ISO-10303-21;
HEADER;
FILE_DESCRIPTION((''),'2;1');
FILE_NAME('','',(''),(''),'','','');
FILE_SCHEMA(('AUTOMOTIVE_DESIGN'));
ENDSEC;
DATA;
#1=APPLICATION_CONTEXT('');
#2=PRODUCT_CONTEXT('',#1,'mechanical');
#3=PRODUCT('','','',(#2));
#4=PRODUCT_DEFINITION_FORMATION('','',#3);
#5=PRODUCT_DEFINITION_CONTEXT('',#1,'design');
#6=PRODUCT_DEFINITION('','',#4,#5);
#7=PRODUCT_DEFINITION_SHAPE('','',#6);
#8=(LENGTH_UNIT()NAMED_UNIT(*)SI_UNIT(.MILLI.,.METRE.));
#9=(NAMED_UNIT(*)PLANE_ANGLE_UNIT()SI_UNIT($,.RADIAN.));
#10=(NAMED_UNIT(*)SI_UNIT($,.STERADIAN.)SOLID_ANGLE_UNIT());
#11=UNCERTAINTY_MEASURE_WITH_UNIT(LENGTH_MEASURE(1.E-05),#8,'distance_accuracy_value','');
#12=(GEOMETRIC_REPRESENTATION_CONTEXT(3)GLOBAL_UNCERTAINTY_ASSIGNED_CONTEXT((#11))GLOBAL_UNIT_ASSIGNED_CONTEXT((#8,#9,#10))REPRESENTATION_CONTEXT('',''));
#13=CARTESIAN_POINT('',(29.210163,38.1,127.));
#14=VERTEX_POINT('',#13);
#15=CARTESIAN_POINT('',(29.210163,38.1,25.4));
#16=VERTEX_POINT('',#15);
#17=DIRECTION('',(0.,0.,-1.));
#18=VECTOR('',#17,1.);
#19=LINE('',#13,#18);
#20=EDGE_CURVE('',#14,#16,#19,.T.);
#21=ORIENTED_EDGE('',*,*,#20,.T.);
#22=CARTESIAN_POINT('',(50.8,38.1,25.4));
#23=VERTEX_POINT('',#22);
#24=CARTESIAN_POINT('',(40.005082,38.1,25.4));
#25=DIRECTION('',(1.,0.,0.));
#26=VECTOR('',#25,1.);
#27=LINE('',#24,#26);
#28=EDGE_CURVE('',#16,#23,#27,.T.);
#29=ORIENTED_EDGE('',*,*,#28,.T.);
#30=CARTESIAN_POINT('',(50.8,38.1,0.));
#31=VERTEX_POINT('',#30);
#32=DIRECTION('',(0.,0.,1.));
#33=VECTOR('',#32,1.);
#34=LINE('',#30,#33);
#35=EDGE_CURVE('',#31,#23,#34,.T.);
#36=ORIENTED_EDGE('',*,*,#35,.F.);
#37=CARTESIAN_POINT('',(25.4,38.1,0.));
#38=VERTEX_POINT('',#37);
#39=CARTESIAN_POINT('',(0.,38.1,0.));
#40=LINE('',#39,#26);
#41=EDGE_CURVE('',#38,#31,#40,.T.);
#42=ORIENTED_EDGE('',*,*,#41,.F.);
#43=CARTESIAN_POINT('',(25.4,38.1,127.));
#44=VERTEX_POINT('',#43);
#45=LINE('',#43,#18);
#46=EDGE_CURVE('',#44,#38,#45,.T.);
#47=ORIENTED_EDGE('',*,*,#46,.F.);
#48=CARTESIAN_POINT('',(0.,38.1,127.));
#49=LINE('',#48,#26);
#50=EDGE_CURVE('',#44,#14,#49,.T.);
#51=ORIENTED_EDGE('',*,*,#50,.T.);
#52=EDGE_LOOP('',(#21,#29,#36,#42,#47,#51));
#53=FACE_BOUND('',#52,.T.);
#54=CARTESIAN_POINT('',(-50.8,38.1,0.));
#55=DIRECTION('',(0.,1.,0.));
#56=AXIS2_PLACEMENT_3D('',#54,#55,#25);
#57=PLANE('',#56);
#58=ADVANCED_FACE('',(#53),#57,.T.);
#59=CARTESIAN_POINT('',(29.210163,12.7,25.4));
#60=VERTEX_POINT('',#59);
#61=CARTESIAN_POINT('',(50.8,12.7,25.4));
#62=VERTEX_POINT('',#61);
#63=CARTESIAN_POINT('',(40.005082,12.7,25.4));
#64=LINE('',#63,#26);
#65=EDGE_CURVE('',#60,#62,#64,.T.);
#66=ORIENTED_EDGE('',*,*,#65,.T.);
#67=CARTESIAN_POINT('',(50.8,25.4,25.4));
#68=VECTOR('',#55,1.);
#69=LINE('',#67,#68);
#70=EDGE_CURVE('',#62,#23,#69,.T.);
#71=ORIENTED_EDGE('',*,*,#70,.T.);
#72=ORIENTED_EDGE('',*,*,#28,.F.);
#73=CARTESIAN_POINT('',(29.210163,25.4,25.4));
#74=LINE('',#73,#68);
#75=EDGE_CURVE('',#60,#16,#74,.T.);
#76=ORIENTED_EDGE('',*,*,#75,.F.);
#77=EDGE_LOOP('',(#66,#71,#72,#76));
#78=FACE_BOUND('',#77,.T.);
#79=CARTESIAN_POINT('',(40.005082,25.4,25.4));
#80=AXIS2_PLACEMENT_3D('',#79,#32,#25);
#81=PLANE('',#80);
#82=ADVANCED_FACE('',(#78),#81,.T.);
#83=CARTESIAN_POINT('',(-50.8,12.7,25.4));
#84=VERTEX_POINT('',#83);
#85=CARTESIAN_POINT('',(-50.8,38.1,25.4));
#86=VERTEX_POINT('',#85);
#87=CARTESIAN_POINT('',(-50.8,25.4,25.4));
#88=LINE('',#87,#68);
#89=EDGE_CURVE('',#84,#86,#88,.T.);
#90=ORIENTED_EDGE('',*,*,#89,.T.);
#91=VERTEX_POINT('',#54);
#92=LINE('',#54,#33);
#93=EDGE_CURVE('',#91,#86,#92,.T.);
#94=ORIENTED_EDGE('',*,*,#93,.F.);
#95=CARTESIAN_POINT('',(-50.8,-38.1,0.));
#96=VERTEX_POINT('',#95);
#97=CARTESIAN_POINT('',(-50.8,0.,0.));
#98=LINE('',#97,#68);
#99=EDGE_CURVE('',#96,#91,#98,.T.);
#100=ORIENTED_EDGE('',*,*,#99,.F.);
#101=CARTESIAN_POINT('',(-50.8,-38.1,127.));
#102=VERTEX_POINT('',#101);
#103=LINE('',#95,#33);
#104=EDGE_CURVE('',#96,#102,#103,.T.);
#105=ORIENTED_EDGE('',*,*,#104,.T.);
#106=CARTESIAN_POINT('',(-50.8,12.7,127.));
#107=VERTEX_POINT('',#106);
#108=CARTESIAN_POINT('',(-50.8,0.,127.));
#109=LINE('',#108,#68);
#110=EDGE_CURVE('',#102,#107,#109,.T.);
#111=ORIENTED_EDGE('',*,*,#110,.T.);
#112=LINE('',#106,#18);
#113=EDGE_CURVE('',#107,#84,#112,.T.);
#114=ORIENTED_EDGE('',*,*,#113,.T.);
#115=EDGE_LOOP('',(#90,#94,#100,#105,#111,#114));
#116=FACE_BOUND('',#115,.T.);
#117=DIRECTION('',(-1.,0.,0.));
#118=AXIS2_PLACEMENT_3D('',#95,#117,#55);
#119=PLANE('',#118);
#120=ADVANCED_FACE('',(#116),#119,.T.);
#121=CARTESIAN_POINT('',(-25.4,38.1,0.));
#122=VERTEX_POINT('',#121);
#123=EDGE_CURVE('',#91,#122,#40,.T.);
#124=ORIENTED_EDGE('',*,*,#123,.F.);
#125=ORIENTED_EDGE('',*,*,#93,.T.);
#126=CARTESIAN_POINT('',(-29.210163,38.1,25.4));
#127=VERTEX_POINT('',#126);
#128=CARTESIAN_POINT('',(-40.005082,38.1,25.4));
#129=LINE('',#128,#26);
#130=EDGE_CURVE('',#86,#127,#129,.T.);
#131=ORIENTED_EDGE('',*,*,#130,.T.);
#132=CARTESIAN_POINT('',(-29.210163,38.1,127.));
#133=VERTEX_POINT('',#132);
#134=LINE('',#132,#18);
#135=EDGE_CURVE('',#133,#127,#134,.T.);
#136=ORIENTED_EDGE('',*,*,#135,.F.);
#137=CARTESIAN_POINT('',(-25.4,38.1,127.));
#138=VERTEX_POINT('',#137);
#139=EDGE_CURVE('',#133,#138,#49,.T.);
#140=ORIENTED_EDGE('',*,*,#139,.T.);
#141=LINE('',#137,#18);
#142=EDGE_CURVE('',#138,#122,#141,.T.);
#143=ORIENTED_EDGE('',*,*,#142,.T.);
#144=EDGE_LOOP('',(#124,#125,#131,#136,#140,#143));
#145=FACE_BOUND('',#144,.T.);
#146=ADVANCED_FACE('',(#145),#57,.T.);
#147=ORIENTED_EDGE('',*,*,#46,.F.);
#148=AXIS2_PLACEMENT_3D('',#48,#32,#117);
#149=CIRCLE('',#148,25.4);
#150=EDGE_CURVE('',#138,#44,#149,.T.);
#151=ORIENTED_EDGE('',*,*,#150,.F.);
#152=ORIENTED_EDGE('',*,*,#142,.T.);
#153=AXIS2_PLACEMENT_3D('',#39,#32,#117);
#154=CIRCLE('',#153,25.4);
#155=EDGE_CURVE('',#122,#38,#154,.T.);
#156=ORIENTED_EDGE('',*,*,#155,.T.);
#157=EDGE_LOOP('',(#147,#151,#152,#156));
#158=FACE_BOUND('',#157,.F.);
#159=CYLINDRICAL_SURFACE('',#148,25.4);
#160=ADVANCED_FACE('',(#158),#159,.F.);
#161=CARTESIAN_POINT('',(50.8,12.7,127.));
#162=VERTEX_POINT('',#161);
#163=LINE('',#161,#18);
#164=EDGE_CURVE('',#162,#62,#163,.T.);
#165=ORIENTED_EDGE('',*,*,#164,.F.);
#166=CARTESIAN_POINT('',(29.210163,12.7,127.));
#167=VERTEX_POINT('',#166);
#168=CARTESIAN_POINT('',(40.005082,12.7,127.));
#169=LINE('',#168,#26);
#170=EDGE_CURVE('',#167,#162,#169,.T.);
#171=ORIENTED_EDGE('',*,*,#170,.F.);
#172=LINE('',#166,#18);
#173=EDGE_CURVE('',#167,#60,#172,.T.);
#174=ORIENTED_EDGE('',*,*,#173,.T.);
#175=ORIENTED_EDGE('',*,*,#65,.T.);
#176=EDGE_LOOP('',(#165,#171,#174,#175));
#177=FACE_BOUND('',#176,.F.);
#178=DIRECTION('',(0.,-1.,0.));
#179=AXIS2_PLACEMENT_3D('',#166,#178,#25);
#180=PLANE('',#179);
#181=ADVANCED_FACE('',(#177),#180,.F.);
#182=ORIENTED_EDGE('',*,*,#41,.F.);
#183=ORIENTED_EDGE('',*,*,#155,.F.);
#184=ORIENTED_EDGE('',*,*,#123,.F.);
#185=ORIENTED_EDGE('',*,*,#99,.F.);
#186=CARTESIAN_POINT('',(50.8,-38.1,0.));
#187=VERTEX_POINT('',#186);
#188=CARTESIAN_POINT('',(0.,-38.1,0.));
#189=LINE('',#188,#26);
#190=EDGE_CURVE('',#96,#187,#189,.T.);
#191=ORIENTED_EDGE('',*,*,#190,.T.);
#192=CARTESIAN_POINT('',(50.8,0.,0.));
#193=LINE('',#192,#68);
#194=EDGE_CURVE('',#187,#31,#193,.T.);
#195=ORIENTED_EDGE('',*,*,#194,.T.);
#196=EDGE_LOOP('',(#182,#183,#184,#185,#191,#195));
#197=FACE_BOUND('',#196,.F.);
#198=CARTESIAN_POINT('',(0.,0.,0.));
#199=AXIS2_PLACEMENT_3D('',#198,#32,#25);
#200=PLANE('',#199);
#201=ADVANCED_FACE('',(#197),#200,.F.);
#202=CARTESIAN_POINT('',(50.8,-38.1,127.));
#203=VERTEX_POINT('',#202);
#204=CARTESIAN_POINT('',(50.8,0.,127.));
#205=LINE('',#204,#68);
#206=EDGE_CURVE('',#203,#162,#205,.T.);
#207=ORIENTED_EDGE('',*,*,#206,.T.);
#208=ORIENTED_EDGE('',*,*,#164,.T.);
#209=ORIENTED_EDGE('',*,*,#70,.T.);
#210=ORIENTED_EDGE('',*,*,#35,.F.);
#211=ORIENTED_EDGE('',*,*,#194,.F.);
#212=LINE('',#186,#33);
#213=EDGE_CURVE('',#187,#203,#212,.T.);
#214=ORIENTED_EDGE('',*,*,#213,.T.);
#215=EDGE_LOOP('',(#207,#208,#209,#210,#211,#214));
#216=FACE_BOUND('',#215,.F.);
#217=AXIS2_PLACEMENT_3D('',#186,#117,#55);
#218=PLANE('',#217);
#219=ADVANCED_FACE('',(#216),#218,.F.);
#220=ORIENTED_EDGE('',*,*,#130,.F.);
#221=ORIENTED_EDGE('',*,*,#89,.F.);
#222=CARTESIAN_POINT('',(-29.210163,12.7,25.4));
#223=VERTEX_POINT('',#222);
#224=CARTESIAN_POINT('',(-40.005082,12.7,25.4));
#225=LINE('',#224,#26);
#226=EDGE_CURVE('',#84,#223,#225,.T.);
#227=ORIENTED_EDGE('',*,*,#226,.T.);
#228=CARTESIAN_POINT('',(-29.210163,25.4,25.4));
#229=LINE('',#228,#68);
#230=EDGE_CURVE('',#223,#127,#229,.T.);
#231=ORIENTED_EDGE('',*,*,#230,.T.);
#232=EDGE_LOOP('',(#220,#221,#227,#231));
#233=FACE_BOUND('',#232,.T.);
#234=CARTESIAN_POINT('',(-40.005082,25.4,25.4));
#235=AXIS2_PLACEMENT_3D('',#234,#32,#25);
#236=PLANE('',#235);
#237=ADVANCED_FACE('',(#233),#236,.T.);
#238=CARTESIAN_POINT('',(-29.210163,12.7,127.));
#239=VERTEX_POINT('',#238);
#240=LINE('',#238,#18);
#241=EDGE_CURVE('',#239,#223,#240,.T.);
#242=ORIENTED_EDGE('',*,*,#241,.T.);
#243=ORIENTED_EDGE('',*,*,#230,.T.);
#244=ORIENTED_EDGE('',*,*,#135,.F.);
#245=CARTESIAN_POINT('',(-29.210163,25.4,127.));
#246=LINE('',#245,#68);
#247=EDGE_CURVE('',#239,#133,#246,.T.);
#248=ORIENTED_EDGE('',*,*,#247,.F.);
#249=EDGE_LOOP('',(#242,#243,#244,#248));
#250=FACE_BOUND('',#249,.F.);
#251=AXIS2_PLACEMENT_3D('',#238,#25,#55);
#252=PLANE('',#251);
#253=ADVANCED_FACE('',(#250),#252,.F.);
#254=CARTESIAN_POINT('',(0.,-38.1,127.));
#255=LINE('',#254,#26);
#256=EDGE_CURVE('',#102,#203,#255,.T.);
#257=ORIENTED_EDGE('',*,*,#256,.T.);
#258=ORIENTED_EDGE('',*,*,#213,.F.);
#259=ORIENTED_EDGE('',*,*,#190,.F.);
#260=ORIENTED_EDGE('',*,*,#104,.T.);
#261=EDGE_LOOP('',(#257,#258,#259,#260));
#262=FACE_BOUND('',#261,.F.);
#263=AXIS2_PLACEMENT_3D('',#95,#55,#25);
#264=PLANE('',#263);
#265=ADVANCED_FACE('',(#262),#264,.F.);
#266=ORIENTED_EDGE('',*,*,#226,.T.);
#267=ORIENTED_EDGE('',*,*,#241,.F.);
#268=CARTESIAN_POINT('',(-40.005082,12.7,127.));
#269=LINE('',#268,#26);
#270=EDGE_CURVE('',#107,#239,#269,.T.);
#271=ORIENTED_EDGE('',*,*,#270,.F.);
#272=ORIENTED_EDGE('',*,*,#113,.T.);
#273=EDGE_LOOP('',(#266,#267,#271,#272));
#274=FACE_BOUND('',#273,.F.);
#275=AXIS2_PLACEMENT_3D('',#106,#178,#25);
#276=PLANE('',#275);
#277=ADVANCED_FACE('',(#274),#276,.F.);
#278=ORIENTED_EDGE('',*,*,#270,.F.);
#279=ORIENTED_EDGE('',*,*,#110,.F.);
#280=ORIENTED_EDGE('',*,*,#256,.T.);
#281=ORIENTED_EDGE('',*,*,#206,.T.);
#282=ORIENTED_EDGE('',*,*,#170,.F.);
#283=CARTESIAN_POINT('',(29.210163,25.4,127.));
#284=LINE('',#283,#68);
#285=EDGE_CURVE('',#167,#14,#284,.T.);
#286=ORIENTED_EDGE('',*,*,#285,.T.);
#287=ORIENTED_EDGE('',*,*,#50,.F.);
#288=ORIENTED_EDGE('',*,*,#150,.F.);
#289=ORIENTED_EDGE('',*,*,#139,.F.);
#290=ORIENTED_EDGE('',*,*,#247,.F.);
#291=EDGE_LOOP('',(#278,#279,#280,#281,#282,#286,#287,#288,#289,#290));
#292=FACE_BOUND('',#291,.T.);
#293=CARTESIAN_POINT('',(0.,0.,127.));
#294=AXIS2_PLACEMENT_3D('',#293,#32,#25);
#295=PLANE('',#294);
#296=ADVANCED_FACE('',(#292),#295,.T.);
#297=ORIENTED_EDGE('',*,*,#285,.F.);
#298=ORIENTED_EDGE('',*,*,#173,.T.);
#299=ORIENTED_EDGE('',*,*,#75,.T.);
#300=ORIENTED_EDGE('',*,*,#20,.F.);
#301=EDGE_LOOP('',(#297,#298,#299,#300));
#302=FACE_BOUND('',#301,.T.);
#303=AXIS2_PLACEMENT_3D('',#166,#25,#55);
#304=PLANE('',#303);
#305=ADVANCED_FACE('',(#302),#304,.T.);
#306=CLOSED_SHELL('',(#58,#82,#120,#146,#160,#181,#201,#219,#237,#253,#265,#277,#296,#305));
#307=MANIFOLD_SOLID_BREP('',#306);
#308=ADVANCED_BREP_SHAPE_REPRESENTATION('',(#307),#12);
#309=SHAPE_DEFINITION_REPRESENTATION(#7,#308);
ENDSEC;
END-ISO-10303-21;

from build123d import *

# Parameters (mm, degrees)
F0_W     = 101.6
F0_H     = 76.2
F1_DEPTH = 127
F3_DEPTH = 127.001
F4_W     = 21.5898367196
F4_H     = 25.4
F5_DEPTH = 101.6


with BuildPart() as f1:
    # F0 (on Top) → F1 (new body)
    with BuildSketch(Plane.XY):
        Rectangle(F0_W, F0_H)
    extrude(amount=F1_DEPTH)

    # F2 (on face) → F3 (cut, through all)
    with BuildSketch(Plane.XY.offset(127)):
        with BuildLine():
            ThreePointArc((-25.4, 38.1), (0, 12.7), (25.4, 38.1))
            Line((25.4, 38.1), (-25.4, 38.1))
        make_face()
    extrude(amount=-F3_DEPTH, mode=Mode.SUBTRACT)

    # F4 (on face) → F5 (cut)
    with BuildSketch(Plane.XY.offset(127)):
        with Locations((-40.0050816402, 25.4)):
            Rectangle(F4_W, F4_H)
        with Locations((40.0050816402, 25.4)):
            Rectangle(F4_W, F4_H)
    extrude(amount=-F5_DEPTH, mode=Mode.SUBTRACT)


solid = f1.part
